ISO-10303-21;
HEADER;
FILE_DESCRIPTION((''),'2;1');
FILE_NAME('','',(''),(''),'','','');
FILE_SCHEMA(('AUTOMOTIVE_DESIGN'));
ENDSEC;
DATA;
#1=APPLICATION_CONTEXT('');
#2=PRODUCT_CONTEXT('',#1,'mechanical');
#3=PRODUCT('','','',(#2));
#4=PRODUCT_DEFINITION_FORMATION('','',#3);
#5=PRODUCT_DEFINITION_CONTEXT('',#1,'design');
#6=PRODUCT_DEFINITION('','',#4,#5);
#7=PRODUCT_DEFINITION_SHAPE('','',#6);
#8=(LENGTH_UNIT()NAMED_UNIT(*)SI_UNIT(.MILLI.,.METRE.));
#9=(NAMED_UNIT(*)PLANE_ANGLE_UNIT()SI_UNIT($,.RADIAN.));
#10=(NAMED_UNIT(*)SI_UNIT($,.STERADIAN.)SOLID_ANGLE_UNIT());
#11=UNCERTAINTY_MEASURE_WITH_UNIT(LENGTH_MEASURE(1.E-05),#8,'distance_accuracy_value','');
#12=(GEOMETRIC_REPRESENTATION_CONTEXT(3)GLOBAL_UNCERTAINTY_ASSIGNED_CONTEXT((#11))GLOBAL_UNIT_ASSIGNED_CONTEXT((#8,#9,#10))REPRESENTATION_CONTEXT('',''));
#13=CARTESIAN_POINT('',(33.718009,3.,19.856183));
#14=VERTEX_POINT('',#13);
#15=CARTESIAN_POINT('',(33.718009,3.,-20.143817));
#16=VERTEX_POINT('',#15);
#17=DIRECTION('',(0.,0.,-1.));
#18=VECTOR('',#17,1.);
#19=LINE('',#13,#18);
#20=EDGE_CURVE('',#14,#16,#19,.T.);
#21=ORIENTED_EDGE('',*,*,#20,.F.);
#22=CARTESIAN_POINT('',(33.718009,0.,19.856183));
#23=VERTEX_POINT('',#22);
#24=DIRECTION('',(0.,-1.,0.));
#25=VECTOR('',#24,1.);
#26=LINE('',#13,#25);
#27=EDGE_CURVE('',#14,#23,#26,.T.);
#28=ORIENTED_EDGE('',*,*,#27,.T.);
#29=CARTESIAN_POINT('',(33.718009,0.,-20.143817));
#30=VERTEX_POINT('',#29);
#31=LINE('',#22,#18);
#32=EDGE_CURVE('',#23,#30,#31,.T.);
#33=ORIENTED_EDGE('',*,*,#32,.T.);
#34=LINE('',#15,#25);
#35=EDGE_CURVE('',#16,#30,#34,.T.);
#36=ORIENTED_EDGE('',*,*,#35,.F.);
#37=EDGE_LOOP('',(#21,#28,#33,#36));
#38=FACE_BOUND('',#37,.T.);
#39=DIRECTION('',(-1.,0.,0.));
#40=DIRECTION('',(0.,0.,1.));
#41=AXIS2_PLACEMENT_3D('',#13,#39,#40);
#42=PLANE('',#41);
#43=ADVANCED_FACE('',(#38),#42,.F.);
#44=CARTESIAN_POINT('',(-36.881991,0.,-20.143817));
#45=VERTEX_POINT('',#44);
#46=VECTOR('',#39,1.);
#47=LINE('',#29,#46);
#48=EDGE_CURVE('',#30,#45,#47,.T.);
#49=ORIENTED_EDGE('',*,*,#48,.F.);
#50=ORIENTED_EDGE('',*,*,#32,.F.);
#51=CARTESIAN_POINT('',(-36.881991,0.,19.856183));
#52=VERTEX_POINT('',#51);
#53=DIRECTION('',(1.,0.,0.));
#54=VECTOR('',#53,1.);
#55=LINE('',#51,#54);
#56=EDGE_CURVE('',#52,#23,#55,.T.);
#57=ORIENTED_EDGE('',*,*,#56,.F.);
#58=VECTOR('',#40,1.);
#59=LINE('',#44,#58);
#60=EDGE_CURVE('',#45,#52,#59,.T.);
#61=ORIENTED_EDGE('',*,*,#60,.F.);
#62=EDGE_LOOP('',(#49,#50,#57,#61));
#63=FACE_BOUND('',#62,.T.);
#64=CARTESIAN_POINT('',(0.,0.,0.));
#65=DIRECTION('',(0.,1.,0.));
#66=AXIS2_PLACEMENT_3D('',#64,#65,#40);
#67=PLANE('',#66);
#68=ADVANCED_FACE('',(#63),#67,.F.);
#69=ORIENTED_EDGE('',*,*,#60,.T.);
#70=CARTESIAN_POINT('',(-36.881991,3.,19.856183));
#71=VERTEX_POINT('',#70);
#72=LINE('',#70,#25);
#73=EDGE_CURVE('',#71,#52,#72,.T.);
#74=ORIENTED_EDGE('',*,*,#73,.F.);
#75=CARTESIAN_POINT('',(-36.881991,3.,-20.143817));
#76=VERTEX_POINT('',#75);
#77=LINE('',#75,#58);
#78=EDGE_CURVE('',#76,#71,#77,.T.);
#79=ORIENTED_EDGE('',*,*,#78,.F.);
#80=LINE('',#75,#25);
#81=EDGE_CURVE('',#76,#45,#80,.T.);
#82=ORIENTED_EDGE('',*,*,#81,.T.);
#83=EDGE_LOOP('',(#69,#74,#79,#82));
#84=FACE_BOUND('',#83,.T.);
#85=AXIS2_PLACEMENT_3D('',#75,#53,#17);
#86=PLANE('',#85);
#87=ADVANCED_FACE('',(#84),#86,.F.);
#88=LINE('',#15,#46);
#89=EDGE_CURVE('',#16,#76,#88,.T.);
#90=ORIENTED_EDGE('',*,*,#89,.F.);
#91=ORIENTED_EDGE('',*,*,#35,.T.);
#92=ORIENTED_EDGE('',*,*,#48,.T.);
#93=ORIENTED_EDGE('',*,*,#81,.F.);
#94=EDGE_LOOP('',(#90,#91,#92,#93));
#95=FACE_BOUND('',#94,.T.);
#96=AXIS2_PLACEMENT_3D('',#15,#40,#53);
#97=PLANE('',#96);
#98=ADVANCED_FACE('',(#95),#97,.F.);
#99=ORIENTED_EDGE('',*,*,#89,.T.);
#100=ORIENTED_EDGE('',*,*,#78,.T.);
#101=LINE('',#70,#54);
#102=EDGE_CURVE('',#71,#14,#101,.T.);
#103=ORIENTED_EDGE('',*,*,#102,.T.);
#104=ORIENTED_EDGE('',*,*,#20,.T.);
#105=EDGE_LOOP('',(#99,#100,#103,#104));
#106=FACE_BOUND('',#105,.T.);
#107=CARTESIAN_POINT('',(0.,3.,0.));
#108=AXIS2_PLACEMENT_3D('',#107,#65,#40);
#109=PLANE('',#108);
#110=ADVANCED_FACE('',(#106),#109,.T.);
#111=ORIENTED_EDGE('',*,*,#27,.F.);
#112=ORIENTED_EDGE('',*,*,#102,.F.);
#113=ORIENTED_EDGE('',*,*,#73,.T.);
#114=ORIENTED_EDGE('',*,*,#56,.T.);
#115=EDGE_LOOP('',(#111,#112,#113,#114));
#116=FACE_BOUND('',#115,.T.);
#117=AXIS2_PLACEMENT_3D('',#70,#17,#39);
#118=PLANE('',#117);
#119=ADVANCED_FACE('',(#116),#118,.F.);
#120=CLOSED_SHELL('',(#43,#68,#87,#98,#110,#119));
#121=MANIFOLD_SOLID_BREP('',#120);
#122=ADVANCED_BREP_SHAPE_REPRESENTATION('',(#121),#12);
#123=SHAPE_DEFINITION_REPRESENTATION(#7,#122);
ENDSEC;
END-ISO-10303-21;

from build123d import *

# Parameters (mm, degrees)
SKETCH1_W           = 70.6
SKETCH1_H           = 40
BOSS_EXTRUDE1_DEPTH = 3


with BuildPart() as part:
    # Sketch1 → Boss-Extrude1 (new body)
    with BuildSketch(Plane(origin=(0, 0, 0), x_dir=(1, 0, 0), z_dir=(0, 1, 0))):
        with Locations((-1.581990899, 0.143817354)):
            Rectangle(SKETCH1_W, SKETCH1_H)
    extrude(amount=BOSS_EXTRUDE1_DEPTH)


solid = part.part
